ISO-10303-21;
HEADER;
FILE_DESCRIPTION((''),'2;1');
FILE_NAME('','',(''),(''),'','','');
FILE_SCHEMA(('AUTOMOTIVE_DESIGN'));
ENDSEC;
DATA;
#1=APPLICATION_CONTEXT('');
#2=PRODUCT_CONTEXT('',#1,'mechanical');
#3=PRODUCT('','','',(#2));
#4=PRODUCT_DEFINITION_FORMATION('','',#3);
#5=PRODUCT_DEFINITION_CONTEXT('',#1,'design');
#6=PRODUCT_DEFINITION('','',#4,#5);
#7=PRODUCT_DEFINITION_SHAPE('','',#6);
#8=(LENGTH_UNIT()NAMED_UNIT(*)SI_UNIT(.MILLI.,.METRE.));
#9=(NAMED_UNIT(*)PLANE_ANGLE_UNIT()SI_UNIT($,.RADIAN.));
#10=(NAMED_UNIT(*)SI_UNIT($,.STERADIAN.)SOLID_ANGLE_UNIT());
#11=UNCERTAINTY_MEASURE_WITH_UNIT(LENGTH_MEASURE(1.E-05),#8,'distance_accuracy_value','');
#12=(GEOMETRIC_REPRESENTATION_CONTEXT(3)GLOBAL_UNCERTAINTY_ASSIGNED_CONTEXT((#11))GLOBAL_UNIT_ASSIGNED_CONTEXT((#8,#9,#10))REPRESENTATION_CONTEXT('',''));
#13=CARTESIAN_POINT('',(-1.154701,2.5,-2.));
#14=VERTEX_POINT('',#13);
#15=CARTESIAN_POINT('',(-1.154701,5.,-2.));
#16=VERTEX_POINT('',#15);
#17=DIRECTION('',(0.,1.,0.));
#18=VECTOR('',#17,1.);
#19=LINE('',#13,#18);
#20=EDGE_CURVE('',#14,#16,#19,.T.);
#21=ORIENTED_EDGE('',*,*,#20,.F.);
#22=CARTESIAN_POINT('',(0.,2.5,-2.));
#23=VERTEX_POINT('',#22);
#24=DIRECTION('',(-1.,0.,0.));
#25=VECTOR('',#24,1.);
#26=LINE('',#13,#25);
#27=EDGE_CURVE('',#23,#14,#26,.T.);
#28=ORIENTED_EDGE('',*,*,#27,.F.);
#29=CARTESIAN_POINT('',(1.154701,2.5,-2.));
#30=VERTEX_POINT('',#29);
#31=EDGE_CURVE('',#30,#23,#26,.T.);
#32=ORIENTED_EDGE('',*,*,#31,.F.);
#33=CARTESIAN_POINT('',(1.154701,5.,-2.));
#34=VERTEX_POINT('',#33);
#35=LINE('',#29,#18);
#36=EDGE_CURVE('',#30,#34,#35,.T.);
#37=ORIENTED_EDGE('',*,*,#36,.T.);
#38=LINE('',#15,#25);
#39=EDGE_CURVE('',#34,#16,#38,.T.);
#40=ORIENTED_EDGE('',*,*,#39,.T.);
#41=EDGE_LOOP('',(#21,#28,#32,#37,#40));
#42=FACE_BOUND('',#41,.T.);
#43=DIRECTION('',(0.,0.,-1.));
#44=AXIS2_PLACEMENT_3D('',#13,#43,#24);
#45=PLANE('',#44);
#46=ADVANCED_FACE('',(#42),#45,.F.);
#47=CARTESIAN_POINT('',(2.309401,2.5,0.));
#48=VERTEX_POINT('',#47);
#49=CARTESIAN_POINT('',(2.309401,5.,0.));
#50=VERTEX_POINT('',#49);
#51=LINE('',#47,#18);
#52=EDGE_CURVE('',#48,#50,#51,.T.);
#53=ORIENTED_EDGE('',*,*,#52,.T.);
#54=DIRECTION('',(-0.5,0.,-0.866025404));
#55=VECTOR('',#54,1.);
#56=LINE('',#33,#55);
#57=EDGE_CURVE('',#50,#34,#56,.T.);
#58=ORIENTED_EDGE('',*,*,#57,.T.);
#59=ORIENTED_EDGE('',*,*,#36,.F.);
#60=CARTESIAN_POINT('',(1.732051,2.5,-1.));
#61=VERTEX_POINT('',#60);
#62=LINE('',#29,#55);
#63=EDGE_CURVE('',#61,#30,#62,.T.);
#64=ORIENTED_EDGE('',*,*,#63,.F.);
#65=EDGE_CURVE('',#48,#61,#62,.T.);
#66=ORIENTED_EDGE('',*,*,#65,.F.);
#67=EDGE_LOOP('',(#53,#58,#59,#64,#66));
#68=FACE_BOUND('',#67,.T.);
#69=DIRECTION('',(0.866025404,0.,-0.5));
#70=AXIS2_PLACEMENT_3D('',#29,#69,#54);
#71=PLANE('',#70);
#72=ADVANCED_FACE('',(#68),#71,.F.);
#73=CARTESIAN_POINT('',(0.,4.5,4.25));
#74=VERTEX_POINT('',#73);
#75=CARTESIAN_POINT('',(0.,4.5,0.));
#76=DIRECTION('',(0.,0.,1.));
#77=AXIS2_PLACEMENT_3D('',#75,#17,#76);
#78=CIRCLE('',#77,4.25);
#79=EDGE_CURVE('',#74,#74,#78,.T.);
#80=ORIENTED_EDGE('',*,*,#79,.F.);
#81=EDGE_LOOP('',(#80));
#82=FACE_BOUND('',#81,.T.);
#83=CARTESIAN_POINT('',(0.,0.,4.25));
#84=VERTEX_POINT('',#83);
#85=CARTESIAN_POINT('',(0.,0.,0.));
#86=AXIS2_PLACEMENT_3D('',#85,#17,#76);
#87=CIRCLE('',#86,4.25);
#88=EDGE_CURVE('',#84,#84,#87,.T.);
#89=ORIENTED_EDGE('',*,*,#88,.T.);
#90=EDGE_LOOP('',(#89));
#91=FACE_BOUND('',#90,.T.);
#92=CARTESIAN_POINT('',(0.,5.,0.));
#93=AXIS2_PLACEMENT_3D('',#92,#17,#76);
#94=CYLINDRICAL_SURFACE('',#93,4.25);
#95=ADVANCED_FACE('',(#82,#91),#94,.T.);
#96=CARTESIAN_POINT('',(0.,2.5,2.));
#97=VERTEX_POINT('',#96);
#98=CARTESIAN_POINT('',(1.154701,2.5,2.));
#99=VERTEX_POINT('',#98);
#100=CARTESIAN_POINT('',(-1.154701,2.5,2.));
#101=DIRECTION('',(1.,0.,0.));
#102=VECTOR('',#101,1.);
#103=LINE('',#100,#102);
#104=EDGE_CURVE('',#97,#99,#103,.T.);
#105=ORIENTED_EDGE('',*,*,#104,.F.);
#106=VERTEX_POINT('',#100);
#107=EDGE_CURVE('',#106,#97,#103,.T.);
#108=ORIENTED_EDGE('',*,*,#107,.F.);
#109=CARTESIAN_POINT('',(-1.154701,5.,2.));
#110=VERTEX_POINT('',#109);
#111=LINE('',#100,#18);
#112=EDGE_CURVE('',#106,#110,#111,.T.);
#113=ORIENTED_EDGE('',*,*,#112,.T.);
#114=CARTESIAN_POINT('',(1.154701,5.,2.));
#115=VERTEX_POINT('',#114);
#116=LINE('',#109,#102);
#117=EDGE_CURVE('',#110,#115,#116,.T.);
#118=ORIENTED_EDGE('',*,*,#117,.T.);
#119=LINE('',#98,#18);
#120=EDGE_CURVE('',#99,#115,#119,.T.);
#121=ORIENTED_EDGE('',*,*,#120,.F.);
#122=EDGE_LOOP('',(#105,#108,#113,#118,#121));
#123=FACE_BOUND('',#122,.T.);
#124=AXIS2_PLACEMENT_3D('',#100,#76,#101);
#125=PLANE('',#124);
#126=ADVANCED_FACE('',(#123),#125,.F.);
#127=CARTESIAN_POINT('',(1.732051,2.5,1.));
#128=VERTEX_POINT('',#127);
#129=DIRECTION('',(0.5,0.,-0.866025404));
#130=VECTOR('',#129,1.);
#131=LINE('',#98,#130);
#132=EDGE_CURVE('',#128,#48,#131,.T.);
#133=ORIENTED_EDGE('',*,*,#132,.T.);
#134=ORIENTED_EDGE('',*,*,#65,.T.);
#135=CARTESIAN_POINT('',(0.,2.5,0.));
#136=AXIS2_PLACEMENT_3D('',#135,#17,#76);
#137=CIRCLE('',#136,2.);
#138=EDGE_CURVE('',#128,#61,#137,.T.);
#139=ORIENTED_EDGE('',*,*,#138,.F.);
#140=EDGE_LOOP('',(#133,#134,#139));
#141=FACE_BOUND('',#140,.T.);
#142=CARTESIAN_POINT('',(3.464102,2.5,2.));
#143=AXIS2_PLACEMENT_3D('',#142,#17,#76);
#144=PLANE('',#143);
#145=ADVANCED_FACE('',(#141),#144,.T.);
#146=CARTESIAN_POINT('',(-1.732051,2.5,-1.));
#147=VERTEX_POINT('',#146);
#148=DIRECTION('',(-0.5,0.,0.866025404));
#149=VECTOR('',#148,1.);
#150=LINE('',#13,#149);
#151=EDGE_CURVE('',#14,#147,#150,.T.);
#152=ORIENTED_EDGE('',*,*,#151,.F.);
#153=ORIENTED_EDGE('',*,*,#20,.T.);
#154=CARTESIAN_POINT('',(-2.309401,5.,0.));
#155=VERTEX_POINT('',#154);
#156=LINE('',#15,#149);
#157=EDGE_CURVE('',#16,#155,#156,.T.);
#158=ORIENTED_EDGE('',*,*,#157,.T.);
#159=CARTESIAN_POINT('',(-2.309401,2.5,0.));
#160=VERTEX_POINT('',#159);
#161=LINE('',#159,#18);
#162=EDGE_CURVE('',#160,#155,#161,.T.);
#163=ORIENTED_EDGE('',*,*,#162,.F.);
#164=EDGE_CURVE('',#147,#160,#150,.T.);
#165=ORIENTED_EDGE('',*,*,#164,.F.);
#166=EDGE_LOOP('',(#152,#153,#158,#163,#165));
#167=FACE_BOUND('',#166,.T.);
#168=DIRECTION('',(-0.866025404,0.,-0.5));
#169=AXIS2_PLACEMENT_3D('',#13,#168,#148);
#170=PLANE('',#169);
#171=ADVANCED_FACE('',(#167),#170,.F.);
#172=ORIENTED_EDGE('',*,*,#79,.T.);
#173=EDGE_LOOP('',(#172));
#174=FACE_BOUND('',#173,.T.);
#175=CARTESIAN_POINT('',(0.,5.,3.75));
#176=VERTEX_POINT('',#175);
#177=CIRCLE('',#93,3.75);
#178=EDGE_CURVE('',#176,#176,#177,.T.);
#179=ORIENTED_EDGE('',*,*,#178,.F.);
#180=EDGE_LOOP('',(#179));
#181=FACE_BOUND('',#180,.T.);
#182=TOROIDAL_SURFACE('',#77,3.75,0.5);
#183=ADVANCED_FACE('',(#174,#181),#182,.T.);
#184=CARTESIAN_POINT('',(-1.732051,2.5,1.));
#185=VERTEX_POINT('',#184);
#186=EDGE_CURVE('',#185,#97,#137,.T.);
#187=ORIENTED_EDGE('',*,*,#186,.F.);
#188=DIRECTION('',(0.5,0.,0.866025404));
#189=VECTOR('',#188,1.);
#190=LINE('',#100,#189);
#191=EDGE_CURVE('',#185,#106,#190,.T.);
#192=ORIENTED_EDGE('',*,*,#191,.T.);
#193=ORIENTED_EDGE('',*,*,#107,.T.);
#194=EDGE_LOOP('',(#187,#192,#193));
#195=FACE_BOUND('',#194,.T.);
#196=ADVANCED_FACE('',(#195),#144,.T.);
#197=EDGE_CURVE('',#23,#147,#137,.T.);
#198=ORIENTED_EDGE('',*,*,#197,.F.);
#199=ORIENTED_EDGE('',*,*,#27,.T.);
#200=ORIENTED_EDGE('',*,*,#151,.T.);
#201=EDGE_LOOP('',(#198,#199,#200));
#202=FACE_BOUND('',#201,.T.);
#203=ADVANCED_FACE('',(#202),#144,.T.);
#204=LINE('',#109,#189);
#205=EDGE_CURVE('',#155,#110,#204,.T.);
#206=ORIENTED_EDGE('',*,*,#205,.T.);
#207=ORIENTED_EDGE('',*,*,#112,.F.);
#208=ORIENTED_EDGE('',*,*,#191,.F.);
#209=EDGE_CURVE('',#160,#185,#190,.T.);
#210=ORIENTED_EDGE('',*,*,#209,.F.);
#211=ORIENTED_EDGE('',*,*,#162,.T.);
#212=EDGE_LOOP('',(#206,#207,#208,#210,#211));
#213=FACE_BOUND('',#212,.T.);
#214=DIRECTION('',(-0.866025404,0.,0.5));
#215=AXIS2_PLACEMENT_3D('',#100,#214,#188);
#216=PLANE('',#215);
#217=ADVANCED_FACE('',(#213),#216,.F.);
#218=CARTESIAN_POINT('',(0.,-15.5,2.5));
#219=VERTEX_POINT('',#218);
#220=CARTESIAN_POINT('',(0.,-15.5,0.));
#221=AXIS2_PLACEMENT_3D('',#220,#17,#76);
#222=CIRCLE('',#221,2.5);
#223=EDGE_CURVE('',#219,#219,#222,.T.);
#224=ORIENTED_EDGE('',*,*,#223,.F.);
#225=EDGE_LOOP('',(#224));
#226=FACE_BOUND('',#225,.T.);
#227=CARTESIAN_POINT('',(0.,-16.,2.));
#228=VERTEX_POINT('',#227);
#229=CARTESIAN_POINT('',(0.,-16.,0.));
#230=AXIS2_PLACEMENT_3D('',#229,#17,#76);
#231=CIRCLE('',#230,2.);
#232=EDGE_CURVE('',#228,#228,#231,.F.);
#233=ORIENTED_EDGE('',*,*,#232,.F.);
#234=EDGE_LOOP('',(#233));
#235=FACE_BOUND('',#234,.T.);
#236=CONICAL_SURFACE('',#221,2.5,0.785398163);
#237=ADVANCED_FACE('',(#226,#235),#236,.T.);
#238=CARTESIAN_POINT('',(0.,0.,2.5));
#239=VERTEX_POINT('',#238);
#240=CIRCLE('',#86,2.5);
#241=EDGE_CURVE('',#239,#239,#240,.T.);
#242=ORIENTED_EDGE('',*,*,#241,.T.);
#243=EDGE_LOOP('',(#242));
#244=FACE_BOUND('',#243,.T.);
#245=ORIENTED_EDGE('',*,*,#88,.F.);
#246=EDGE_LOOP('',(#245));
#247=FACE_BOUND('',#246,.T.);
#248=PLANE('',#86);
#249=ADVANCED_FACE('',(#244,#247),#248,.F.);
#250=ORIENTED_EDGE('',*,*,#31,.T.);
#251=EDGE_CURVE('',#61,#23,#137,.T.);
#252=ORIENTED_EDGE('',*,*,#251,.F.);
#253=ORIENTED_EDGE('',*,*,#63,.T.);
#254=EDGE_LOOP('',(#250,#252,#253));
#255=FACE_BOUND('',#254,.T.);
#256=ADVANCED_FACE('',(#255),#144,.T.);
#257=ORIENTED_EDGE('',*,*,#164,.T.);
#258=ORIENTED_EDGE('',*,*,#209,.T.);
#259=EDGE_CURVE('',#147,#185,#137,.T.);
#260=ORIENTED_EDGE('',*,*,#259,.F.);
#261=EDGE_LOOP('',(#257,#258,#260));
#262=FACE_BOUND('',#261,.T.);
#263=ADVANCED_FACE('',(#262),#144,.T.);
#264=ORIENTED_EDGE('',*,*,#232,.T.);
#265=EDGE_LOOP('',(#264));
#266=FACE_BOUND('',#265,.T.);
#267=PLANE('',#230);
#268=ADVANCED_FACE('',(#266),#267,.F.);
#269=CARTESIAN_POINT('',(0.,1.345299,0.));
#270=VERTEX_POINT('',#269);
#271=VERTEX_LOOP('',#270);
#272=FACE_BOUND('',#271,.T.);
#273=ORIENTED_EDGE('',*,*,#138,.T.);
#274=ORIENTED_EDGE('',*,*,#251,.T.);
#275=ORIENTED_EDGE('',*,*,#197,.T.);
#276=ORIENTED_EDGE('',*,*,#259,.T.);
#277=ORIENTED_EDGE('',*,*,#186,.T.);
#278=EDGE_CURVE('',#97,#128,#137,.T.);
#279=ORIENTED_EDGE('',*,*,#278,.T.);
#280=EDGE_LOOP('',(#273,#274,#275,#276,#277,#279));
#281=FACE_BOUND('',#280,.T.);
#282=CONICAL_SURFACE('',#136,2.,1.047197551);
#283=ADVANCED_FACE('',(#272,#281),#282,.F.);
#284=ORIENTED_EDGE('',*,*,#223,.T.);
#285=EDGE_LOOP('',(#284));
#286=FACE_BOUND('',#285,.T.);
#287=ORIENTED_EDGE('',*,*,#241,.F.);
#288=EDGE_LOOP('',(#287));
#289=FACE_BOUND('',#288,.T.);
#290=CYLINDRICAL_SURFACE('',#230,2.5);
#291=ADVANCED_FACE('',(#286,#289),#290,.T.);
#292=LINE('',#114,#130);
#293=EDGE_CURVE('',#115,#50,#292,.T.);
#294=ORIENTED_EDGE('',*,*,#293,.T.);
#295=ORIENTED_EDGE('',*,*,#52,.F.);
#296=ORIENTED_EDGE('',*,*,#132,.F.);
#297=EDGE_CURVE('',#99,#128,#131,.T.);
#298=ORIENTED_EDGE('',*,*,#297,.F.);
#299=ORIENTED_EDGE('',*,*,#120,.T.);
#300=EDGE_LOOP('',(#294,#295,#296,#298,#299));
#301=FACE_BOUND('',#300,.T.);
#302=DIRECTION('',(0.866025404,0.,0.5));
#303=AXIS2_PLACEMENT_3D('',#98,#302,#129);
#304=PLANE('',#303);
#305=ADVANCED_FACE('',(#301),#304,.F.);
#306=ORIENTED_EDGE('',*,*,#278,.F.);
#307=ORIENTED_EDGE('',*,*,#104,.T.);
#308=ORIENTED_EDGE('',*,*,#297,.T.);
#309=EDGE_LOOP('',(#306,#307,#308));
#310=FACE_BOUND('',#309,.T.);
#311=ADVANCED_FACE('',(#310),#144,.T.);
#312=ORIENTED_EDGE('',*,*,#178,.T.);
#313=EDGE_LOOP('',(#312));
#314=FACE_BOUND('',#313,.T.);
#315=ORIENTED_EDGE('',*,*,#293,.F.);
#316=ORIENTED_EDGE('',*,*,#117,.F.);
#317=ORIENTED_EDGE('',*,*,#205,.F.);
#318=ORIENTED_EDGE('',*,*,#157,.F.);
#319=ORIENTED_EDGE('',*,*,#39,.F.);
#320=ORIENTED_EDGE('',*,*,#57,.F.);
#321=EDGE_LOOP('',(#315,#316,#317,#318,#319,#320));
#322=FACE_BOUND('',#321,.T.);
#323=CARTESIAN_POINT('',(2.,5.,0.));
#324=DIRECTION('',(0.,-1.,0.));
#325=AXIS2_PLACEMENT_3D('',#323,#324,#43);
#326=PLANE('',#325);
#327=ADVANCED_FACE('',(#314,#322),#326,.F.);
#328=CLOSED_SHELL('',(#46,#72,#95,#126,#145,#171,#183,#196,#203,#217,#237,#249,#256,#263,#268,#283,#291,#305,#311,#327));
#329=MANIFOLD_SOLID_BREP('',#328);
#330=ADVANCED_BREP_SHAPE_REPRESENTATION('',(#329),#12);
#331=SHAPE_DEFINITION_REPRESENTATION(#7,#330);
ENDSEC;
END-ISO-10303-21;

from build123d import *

# Parameters (mm, degrees)
ESQUISSE2_R             = 2.5
BASE_EXTRUSION_DEPTH    = 16
CHANFREIN1_SIZE         = 0.5
ENL_V_MAT_EXTRU_1_DEPTH = 2.5


with BuildPart() as part:
    # Esquisse2 → Base-Extrusion (new body)
    with BuildSketch(Plane(origin=(0, 0, 0), x_dir=(1, 0, 0), z_dir=(0, 1, 0))):
        with Locations(Location((0, 0, 0), (0, 0, 270))):  # turned: the seam where the file's is
            Circle(ESQUISSE2_R)
    extrude(amount=-BASE_EXTRUSION_DEPTH)

    # Chanfrein1
    chanfrein1_edges = [part.edges().sort_by_distance(p)[0] for p in [
        (0, -16, -2.5),
    ]]
    chamfer(chanfrein1_edges, length=CHANFREIN1_SIZE)

    # Esquisse5 → Boss.-Révol.1 (revolve)
    with BuildSketch(Plane.XY, mode=Mode.PRIVATE) as boss_r_vol_1_sk:
        with BuildLine():
            Line((2, 5), (2, 2.5))
            Line((2, 2.5), (0, 1.345299462))
            Line((0, 1.345299462), (0, 0))
            Line((0, 0), (4.25, 0))
            Line((4.25, 0), (4.25, 4.5))
            ThreePointArc((4.25, 4.5), (4.103553391, 4.853553391), (3.75, 5))
            Line((3.75, 5), (2, 5))
        make_face()
    revolve(boss_r_vol_1_sk.sketch.rotate(Axis((0, 5, 0), (0, -1, 0)), 90), axis=Axis((0, 5, 0), (0, -1, 0)))  # turned: the seam where the file's is

    # Esquisse7 → Enlèv. mat.-Extru.1 (cut)
    with BuildSketch(Plane(origin=(0, 5, 0), x_dir=(-1, 0, 0), z_dir=(0, 1, 0))):
        Polygon((1.154700538, 2), (-1.154700538, 2), (-2.309401077, 0), (-1.154700538, -2), (1.154700538, -2), (2.309401077, 0), align=None)
    extrude(amount=-ENL_V_MAT_EXTRU_1_DEPTH, mode=Mode.SUBTRACT)


solid = part.part
